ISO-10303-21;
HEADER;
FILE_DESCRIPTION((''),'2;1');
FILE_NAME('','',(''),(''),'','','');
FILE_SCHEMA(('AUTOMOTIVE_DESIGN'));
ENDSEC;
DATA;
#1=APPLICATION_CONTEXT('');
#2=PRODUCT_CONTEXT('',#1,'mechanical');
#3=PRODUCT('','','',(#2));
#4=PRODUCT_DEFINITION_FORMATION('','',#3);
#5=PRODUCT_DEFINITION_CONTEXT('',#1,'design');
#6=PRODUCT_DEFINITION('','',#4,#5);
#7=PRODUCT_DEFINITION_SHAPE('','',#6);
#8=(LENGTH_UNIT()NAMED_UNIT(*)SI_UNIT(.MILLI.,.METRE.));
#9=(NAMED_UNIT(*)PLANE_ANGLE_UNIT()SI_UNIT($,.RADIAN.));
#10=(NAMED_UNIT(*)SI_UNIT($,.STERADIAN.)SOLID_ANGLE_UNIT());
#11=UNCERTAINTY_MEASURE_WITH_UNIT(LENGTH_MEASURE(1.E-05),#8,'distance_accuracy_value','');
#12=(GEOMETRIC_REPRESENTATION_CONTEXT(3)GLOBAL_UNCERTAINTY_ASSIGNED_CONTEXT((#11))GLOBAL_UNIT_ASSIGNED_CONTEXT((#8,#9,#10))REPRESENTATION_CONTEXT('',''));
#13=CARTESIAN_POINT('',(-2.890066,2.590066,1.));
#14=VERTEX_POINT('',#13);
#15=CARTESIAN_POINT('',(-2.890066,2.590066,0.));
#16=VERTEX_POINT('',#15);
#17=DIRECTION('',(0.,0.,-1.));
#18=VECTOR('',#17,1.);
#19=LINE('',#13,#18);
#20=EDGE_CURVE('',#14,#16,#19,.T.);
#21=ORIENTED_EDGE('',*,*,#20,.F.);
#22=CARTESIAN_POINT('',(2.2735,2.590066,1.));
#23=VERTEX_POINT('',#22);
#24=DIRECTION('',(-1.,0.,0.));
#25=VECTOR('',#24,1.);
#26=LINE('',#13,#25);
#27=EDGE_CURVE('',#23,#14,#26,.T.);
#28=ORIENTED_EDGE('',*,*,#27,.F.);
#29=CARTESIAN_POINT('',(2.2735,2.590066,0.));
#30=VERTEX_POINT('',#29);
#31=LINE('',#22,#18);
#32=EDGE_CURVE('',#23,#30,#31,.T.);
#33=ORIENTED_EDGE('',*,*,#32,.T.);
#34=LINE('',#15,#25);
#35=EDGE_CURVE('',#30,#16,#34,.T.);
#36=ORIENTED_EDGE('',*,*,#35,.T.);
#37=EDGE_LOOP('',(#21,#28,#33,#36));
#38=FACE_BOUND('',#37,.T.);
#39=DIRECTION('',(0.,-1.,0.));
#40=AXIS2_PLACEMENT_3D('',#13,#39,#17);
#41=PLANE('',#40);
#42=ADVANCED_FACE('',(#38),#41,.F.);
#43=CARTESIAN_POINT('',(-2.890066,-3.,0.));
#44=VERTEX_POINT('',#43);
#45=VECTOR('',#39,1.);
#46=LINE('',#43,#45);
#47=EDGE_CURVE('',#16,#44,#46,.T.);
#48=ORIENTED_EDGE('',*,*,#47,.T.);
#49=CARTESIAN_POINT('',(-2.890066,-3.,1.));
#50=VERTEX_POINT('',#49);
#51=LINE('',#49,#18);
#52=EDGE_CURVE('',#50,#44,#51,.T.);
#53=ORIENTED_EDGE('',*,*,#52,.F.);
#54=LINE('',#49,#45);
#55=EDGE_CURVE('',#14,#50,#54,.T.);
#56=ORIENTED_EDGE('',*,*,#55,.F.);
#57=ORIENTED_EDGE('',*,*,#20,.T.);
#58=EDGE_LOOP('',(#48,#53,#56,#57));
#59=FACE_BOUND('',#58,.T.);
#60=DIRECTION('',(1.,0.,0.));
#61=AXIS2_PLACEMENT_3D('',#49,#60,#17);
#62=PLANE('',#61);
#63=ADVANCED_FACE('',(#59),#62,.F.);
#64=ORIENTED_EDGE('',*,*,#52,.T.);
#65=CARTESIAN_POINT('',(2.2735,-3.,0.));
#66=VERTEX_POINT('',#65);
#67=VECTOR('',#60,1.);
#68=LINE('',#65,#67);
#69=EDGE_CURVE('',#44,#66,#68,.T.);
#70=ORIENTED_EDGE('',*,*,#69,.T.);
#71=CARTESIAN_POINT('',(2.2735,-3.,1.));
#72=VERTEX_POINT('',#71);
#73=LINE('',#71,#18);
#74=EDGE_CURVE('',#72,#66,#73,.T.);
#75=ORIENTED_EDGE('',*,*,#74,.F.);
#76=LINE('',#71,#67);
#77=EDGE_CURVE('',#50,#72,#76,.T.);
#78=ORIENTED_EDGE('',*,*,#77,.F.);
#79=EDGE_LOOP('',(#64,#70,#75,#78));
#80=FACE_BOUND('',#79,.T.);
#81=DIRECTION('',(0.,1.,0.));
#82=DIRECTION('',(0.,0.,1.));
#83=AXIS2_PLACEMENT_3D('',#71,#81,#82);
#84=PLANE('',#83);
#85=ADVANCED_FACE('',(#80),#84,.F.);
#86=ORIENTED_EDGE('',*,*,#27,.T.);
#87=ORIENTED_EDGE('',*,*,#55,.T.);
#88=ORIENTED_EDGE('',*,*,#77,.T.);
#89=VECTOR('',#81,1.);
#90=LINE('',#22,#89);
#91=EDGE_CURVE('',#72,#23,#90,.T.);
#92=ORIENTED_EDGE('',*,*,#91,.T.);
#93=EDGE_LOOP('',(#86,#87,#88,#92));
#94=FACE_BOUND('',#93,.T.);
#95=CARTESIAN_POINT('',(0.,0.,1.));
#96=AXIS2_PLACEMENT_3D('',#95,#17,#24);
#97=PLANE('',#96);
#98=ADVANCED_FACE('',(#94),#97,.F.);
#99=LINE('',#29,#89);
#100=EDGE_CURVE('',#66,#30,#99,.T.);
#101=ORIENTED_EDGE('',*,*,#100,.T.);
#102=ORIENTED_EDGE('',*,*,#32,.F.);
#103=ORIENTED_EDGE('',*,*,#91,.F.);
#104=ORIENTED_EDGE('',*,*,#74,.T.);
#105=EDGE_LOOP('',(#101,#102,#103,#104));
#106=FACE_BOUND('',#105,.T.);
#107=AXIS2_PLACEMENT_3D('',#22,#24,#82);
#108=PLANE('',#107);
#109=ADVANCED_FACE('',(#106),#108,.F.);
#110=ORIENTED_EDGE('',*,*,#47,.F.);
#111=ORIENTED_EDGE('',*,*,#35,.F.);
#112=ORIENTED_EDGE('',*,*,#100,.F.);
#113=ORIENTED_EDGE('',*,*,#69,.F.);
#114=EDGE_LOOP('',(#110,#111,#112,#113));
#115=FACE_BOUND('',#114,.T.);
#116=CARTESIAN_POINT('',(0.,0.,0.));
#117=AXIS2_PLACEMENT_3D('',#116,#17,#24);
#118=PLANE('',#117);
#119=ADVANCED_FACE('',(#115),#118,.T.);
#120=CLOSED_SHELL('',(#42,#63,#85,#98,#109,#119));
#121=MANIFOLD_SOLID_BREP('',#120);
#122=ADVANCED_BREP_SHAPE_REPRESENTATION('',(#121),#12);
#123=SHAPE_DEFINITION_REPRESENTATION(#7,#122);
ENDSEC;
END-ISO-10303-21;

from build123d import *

# Parameters (mm, degrees)
SKETCH1_W               = 5.163566
SKETCH1_H               = 5.590066
COMPONENT_OUTLINE_DEPTH = 1


with BuildPart() as part:
    # Sketch1 → Component_Outline (new body)
    with BuildSketch(Plane.XY):
        with Locations((-0.308283, -0.204967)):
            Rectangle(SKETCH1_W, SKETCH1_H)
    extrude(amount=COMPONENT_OUTLINE_DEPTH)


solid = part.part
